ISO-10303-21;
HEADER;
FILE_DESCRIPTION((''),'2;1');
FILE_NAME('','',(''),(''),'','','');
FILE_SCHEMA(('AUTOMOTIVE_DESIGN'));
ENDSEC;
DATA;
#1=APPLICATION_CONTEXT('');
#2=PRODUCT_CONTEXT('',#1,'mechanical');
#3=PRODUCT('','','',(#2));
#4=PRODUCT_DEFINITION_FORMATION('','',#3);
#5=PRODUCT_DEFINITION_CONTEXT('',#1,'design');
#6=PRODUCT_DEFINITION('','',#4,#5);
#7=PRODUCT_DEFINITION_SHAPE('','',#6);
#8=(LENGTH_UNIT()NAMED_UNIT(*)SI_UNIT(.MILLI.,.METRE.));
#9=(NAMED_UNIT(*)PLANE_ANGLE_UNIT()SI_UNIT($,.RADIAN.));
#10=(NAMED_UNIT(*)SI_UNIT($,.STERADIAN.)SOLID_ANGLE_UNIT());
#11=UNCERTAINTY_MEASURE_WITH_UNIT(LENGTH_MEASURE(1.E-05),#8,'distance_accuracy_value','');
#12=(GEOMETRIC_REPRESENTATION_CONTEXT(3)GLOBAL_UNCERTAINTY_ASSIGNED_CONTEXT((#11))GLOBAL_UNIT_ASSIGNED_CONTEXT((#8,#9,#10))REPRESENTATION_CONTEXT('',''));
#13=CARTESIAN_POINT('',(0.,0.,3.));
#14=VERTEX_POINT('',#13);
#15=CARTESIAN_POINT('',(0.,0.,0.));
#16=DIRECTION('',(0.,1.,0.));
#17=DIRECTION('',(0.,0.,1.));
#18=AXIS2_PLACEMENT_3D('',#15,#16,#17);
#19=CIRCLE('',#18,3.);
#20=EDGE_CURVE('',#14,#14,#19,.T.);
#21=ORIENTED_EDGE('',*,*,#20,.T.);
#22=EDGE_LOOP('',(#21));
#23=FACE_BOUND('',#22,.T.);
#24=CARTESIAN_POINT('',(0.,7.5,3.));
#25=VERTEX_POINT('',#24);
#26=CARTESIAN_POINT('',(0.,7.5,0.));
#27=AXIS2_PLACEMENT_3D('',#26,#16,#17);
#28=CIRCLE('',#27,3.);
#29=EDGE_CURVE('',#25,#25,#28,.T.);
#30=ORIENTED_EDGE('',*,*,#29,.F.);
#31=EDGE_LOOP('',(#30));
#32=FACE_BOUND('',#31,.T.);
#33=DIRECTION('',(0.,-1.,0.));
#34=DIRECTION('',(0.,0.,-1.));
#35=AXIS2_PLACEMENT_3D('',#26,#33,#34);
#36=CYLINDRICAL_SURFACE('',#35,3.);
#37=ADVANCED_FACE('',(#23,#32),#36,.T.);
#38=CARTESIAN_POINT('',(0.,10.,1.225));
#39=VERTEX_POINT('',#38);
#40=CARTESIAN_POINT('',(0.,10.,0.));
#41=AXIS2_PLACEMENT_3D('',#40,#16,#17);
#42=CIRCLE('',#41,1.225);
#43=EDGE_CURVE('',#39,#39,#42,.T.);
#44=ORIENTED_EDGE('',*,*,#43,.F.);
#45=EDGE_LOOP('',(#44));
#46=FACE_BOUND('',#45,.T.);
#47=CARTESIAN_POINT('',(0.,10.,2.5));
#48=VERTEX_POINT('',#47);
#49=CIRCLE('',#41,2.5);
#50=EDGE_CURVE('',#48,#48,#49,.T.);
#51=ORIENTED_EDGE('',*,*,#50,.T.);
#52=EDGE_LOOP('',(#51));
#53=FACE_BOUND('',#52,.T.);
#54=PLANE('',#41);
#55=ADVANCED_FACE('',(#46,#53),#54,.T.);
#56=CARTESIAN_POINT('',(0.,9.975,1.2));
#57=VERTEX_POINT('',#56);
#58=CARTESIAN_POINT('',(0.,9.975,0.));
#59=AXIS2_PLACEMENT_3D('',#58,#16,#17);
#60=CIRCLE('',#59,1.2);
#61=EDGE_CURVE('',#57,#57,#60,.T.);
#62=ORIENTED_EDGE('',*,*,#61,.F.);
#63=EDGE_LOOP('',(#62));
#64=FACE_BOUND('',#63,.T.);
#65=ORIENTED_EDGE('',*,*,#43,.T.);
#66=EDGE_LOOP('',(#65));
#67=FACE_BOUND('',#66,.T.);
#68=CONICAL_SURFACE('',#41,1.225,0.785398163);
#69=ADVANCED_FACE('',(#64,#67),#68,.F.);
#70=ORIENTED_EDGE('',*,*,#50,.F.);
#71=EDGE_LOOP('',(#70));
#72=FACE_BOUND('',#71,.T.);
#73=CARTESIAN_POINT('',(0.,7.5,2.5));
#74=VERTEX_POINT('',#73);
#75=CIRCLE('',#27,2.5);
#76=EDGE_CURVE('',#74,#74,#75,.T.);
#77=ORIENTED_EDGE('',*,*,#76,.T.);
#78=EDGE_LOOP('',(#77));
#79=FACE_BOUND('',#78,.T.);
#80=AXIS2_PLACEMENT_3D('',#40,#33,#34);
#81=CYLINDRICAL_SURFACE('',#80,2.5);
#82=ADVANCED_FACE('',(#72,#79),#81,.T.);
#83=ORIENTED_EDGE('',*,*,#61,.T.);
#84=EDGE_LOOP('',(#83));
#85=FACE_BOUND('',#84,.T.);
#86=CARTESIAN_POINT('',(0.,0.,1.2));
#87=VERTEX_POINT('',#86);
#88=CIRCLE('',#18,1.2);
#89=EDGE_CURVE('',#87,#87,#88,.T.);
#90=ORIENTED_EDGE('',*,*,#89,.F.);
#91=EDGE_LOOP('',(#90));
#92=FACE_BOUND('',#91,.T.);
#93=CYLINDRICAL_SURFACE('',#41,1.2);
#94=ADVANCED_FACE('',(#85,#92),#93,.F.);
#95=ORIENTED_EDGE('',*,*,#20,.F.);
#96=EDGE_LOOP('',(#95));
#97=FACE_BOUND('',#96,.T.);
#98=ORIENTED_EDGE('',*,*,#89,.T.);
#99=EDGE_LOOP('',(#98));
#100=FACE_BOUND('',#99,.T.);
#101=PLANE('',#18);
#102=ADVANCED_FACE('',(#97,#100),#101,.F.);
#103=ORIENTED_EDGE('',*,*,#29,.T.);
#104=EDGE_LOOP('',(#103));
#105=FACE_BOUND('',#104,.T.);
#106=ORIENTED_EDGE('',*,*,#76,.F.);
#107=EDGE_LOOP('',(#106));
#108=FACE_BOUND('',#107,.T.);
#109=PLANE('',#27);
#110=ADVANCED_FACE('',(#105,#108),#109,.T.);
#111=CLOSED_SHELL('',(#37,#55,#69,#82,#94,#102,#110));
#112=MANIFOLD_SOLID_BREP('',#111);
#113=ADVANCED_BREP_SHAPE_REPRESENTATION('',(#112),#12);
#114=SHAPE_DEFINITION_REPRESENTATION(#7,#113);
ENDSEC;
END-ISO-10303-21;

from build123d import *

# Parameters (mm, degrees)
SKETCH1_R                      = 3
BOSS_EXTRUDE1_DEPTH            = 7.5
SKETCH2_R                      = 2.5
BOSS_EXTRUDE2_DEPTH            = 2.5
M2_CLEARANCE_HOLE1_D           = 2.4
M2_CLEARANCE_HOLE1_CSINK_D     = 2.45
M2_CLEARANCE_HOLE1_CSINK_ANGLE = 90


with BuildPart() as part:
    # Sketch1 → Boss-Extrude1 (new body)
    with BuildSketch(Plane(origin=(0, 0, 0), x_dir=(1, 0, 0), z_dir=(0, 1, 0))):
        with Locations(Location((0, 0, 0), (0, 0, 270))):
            Circle(SKETCH1_R)
    extrude(amount=BOSS_EXTRUDE1_DEPTH)

    # Sketch2 → Boss-Extrude2 (add)
    with BuildSketch(Plane(origin=(0, 7.5, 0), x_dir=(1, 0, 0), z_dir=(0, 1, 0))):
        with Locations(Location((0, 0, 0), (0, 0, 270))):
            Circle(SKETCH2_R)
    extrude(amount=BOSS_EXTRUDE2_DEPTH)

    # M2 Clearance Hole1 (through all)
    with Locations(Plane(origin=(0, 10, 0), x_dir=(1, 0, 0), z_dir=(0, 1, 0))):
        with Locations((0, 0)):
            CounterSinkHole(M2_CLEARANCE_HOLE1_D / 2, M2_CLEARANCE_HOLE1_CSINK_D / 2, counter_sink_angle=M2_CLEARANCE_HOLE1_CSINK_ANGLE)


solid = part.part
